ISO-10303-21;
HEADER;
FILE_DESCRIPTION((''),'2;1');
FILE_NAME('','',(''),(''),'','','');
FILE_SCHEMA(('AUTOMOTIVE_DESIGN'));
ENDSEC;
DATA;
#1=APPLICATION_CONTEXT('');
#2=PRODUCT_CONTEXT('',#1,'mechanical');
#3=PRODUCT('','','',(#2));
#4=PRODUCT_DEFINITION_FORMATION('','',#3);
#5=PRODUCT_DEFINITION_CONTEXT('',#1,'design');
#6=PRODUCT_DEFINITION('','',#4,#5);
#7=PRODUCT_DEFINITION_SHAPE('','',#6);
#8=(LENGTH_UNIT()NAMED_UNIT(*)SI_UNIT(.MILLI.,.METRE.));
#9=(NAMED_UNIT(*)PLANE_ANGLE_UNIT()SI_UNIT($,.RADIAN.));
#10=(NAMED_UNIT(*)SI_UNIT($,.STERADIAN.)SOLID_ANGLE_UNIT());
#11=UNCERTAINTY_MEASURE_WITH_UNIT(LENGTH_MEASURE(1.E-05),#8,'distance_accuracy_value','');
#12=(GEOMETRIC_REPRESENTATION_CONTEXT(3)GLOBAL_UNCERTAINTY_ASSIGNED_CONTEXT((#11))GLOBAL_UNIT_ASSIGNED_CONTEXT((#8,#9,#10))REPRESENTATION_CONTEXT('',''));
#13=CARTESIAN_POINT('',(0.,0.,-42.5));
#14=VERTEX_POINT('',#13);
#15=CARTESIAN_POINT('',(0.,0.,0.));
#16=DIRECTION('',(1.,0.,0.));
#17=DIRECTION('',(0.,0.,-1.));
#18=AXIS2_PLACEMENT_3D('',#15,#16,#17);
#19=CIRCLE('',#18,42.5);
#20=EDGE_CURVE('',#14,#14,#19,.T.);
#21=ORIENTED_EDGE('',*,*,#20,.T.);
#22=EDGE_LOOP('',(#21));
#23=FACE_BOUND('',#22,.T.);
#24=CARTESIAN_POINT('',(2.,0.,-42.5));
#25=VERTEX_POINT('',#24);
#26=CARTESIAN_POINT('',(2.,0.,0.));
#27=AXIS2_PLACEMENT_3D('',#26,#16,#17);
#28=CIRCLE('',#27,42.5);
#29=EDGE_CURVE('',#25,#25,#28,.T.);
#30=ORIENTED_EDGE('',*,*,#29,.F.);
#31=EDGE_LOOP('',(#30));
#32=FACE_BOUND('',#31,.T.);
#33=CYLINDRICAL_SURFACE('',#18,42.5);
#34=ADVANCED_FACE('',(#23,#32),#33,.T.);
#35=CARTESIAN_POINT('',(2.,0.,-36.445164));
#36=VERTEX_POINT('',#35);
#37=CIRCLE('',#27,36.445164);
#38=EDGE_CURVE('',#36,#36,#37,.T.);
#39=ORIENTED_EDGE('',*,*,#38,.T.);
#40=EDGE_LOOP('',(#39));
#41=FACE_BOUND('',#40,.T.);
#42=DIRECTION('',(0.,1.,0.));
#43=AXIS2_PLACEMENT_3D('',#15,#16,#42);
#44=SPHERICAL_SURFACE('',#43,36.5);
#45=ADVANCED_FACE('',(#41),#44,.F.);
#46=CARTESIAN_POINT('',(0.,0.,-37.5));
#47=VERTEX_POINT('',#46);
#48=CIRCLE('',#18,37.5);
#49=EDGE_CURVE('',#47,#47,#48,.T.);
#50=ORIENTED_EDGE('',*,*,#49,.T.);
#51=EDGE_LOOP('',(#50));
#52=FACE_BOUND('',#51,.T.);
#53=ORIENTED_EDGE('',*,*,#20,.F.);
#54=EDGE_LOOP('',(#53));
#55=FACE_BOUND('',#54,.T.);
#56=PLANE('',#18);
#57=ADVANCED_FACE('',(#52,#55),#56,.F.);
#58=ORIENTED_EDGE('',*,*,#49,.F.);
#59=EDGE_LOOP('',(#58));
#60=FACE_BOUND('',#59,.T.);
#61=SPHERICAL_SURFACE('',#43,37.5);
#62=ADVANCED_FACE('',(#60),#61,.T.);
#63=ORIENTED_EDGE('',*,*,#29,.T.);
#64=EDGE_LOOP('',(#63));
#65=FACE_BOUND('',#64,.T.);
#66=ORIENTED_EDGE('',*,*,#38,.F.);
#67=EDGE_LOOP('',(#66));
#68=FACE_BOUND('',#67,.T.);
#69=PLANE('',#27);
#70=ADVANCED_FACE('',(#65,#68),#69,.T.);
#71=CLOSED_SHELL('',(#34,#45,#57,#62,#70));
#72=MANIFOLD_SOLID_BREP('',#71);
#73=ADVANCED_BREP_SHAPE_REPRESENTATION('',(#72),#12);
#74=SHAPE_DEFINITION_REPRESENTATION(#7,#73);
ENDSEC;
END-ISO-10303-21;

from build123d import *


with BuildPart() as part:
    # Sketch1 → Revolve1 (revolve)
    with BuildSketch(Plane.XY):
        with BuildLine():
            Line((0, 42.5), (0, 37.5))
            ThreePointArc((0, 37.5), (1.000355999, 37.486654797), (2, 37.446628687))
            Line((2, 37.446628687), (2, 42.5))
            Line((2, 42.5), (0, 42.5))
        make_face()
        with BuildLine():
            Line((0, 37.5), (0, 36.5))
            ThreePointArc((0, 36.5), (1.000375799, 36.486288497), (2, 36.445164288))
            Line((2, 36.445164288), (2, 37.446628687))
            ThreePointArc((2, 37.446628687), (1.000355999, 37.486654797), (0, 37.5))
        make_face()
        with BuildLine():
            ThreePointArc((-36.5, 0), (-25.809397513, 25.809397513), (0, 36.5))
            Line((0, 36.5), (0, 37.5))
            ThreePointArc((0, 37.5), (-26.516504294, 26.516504294), (-37.5, 0))
            Line((-37.5, 0), (-36.5, 0))
        make_face()
    revolve(axis=Axis((0, 0, 0), (-1, 0, 0)))


solid = part.part
